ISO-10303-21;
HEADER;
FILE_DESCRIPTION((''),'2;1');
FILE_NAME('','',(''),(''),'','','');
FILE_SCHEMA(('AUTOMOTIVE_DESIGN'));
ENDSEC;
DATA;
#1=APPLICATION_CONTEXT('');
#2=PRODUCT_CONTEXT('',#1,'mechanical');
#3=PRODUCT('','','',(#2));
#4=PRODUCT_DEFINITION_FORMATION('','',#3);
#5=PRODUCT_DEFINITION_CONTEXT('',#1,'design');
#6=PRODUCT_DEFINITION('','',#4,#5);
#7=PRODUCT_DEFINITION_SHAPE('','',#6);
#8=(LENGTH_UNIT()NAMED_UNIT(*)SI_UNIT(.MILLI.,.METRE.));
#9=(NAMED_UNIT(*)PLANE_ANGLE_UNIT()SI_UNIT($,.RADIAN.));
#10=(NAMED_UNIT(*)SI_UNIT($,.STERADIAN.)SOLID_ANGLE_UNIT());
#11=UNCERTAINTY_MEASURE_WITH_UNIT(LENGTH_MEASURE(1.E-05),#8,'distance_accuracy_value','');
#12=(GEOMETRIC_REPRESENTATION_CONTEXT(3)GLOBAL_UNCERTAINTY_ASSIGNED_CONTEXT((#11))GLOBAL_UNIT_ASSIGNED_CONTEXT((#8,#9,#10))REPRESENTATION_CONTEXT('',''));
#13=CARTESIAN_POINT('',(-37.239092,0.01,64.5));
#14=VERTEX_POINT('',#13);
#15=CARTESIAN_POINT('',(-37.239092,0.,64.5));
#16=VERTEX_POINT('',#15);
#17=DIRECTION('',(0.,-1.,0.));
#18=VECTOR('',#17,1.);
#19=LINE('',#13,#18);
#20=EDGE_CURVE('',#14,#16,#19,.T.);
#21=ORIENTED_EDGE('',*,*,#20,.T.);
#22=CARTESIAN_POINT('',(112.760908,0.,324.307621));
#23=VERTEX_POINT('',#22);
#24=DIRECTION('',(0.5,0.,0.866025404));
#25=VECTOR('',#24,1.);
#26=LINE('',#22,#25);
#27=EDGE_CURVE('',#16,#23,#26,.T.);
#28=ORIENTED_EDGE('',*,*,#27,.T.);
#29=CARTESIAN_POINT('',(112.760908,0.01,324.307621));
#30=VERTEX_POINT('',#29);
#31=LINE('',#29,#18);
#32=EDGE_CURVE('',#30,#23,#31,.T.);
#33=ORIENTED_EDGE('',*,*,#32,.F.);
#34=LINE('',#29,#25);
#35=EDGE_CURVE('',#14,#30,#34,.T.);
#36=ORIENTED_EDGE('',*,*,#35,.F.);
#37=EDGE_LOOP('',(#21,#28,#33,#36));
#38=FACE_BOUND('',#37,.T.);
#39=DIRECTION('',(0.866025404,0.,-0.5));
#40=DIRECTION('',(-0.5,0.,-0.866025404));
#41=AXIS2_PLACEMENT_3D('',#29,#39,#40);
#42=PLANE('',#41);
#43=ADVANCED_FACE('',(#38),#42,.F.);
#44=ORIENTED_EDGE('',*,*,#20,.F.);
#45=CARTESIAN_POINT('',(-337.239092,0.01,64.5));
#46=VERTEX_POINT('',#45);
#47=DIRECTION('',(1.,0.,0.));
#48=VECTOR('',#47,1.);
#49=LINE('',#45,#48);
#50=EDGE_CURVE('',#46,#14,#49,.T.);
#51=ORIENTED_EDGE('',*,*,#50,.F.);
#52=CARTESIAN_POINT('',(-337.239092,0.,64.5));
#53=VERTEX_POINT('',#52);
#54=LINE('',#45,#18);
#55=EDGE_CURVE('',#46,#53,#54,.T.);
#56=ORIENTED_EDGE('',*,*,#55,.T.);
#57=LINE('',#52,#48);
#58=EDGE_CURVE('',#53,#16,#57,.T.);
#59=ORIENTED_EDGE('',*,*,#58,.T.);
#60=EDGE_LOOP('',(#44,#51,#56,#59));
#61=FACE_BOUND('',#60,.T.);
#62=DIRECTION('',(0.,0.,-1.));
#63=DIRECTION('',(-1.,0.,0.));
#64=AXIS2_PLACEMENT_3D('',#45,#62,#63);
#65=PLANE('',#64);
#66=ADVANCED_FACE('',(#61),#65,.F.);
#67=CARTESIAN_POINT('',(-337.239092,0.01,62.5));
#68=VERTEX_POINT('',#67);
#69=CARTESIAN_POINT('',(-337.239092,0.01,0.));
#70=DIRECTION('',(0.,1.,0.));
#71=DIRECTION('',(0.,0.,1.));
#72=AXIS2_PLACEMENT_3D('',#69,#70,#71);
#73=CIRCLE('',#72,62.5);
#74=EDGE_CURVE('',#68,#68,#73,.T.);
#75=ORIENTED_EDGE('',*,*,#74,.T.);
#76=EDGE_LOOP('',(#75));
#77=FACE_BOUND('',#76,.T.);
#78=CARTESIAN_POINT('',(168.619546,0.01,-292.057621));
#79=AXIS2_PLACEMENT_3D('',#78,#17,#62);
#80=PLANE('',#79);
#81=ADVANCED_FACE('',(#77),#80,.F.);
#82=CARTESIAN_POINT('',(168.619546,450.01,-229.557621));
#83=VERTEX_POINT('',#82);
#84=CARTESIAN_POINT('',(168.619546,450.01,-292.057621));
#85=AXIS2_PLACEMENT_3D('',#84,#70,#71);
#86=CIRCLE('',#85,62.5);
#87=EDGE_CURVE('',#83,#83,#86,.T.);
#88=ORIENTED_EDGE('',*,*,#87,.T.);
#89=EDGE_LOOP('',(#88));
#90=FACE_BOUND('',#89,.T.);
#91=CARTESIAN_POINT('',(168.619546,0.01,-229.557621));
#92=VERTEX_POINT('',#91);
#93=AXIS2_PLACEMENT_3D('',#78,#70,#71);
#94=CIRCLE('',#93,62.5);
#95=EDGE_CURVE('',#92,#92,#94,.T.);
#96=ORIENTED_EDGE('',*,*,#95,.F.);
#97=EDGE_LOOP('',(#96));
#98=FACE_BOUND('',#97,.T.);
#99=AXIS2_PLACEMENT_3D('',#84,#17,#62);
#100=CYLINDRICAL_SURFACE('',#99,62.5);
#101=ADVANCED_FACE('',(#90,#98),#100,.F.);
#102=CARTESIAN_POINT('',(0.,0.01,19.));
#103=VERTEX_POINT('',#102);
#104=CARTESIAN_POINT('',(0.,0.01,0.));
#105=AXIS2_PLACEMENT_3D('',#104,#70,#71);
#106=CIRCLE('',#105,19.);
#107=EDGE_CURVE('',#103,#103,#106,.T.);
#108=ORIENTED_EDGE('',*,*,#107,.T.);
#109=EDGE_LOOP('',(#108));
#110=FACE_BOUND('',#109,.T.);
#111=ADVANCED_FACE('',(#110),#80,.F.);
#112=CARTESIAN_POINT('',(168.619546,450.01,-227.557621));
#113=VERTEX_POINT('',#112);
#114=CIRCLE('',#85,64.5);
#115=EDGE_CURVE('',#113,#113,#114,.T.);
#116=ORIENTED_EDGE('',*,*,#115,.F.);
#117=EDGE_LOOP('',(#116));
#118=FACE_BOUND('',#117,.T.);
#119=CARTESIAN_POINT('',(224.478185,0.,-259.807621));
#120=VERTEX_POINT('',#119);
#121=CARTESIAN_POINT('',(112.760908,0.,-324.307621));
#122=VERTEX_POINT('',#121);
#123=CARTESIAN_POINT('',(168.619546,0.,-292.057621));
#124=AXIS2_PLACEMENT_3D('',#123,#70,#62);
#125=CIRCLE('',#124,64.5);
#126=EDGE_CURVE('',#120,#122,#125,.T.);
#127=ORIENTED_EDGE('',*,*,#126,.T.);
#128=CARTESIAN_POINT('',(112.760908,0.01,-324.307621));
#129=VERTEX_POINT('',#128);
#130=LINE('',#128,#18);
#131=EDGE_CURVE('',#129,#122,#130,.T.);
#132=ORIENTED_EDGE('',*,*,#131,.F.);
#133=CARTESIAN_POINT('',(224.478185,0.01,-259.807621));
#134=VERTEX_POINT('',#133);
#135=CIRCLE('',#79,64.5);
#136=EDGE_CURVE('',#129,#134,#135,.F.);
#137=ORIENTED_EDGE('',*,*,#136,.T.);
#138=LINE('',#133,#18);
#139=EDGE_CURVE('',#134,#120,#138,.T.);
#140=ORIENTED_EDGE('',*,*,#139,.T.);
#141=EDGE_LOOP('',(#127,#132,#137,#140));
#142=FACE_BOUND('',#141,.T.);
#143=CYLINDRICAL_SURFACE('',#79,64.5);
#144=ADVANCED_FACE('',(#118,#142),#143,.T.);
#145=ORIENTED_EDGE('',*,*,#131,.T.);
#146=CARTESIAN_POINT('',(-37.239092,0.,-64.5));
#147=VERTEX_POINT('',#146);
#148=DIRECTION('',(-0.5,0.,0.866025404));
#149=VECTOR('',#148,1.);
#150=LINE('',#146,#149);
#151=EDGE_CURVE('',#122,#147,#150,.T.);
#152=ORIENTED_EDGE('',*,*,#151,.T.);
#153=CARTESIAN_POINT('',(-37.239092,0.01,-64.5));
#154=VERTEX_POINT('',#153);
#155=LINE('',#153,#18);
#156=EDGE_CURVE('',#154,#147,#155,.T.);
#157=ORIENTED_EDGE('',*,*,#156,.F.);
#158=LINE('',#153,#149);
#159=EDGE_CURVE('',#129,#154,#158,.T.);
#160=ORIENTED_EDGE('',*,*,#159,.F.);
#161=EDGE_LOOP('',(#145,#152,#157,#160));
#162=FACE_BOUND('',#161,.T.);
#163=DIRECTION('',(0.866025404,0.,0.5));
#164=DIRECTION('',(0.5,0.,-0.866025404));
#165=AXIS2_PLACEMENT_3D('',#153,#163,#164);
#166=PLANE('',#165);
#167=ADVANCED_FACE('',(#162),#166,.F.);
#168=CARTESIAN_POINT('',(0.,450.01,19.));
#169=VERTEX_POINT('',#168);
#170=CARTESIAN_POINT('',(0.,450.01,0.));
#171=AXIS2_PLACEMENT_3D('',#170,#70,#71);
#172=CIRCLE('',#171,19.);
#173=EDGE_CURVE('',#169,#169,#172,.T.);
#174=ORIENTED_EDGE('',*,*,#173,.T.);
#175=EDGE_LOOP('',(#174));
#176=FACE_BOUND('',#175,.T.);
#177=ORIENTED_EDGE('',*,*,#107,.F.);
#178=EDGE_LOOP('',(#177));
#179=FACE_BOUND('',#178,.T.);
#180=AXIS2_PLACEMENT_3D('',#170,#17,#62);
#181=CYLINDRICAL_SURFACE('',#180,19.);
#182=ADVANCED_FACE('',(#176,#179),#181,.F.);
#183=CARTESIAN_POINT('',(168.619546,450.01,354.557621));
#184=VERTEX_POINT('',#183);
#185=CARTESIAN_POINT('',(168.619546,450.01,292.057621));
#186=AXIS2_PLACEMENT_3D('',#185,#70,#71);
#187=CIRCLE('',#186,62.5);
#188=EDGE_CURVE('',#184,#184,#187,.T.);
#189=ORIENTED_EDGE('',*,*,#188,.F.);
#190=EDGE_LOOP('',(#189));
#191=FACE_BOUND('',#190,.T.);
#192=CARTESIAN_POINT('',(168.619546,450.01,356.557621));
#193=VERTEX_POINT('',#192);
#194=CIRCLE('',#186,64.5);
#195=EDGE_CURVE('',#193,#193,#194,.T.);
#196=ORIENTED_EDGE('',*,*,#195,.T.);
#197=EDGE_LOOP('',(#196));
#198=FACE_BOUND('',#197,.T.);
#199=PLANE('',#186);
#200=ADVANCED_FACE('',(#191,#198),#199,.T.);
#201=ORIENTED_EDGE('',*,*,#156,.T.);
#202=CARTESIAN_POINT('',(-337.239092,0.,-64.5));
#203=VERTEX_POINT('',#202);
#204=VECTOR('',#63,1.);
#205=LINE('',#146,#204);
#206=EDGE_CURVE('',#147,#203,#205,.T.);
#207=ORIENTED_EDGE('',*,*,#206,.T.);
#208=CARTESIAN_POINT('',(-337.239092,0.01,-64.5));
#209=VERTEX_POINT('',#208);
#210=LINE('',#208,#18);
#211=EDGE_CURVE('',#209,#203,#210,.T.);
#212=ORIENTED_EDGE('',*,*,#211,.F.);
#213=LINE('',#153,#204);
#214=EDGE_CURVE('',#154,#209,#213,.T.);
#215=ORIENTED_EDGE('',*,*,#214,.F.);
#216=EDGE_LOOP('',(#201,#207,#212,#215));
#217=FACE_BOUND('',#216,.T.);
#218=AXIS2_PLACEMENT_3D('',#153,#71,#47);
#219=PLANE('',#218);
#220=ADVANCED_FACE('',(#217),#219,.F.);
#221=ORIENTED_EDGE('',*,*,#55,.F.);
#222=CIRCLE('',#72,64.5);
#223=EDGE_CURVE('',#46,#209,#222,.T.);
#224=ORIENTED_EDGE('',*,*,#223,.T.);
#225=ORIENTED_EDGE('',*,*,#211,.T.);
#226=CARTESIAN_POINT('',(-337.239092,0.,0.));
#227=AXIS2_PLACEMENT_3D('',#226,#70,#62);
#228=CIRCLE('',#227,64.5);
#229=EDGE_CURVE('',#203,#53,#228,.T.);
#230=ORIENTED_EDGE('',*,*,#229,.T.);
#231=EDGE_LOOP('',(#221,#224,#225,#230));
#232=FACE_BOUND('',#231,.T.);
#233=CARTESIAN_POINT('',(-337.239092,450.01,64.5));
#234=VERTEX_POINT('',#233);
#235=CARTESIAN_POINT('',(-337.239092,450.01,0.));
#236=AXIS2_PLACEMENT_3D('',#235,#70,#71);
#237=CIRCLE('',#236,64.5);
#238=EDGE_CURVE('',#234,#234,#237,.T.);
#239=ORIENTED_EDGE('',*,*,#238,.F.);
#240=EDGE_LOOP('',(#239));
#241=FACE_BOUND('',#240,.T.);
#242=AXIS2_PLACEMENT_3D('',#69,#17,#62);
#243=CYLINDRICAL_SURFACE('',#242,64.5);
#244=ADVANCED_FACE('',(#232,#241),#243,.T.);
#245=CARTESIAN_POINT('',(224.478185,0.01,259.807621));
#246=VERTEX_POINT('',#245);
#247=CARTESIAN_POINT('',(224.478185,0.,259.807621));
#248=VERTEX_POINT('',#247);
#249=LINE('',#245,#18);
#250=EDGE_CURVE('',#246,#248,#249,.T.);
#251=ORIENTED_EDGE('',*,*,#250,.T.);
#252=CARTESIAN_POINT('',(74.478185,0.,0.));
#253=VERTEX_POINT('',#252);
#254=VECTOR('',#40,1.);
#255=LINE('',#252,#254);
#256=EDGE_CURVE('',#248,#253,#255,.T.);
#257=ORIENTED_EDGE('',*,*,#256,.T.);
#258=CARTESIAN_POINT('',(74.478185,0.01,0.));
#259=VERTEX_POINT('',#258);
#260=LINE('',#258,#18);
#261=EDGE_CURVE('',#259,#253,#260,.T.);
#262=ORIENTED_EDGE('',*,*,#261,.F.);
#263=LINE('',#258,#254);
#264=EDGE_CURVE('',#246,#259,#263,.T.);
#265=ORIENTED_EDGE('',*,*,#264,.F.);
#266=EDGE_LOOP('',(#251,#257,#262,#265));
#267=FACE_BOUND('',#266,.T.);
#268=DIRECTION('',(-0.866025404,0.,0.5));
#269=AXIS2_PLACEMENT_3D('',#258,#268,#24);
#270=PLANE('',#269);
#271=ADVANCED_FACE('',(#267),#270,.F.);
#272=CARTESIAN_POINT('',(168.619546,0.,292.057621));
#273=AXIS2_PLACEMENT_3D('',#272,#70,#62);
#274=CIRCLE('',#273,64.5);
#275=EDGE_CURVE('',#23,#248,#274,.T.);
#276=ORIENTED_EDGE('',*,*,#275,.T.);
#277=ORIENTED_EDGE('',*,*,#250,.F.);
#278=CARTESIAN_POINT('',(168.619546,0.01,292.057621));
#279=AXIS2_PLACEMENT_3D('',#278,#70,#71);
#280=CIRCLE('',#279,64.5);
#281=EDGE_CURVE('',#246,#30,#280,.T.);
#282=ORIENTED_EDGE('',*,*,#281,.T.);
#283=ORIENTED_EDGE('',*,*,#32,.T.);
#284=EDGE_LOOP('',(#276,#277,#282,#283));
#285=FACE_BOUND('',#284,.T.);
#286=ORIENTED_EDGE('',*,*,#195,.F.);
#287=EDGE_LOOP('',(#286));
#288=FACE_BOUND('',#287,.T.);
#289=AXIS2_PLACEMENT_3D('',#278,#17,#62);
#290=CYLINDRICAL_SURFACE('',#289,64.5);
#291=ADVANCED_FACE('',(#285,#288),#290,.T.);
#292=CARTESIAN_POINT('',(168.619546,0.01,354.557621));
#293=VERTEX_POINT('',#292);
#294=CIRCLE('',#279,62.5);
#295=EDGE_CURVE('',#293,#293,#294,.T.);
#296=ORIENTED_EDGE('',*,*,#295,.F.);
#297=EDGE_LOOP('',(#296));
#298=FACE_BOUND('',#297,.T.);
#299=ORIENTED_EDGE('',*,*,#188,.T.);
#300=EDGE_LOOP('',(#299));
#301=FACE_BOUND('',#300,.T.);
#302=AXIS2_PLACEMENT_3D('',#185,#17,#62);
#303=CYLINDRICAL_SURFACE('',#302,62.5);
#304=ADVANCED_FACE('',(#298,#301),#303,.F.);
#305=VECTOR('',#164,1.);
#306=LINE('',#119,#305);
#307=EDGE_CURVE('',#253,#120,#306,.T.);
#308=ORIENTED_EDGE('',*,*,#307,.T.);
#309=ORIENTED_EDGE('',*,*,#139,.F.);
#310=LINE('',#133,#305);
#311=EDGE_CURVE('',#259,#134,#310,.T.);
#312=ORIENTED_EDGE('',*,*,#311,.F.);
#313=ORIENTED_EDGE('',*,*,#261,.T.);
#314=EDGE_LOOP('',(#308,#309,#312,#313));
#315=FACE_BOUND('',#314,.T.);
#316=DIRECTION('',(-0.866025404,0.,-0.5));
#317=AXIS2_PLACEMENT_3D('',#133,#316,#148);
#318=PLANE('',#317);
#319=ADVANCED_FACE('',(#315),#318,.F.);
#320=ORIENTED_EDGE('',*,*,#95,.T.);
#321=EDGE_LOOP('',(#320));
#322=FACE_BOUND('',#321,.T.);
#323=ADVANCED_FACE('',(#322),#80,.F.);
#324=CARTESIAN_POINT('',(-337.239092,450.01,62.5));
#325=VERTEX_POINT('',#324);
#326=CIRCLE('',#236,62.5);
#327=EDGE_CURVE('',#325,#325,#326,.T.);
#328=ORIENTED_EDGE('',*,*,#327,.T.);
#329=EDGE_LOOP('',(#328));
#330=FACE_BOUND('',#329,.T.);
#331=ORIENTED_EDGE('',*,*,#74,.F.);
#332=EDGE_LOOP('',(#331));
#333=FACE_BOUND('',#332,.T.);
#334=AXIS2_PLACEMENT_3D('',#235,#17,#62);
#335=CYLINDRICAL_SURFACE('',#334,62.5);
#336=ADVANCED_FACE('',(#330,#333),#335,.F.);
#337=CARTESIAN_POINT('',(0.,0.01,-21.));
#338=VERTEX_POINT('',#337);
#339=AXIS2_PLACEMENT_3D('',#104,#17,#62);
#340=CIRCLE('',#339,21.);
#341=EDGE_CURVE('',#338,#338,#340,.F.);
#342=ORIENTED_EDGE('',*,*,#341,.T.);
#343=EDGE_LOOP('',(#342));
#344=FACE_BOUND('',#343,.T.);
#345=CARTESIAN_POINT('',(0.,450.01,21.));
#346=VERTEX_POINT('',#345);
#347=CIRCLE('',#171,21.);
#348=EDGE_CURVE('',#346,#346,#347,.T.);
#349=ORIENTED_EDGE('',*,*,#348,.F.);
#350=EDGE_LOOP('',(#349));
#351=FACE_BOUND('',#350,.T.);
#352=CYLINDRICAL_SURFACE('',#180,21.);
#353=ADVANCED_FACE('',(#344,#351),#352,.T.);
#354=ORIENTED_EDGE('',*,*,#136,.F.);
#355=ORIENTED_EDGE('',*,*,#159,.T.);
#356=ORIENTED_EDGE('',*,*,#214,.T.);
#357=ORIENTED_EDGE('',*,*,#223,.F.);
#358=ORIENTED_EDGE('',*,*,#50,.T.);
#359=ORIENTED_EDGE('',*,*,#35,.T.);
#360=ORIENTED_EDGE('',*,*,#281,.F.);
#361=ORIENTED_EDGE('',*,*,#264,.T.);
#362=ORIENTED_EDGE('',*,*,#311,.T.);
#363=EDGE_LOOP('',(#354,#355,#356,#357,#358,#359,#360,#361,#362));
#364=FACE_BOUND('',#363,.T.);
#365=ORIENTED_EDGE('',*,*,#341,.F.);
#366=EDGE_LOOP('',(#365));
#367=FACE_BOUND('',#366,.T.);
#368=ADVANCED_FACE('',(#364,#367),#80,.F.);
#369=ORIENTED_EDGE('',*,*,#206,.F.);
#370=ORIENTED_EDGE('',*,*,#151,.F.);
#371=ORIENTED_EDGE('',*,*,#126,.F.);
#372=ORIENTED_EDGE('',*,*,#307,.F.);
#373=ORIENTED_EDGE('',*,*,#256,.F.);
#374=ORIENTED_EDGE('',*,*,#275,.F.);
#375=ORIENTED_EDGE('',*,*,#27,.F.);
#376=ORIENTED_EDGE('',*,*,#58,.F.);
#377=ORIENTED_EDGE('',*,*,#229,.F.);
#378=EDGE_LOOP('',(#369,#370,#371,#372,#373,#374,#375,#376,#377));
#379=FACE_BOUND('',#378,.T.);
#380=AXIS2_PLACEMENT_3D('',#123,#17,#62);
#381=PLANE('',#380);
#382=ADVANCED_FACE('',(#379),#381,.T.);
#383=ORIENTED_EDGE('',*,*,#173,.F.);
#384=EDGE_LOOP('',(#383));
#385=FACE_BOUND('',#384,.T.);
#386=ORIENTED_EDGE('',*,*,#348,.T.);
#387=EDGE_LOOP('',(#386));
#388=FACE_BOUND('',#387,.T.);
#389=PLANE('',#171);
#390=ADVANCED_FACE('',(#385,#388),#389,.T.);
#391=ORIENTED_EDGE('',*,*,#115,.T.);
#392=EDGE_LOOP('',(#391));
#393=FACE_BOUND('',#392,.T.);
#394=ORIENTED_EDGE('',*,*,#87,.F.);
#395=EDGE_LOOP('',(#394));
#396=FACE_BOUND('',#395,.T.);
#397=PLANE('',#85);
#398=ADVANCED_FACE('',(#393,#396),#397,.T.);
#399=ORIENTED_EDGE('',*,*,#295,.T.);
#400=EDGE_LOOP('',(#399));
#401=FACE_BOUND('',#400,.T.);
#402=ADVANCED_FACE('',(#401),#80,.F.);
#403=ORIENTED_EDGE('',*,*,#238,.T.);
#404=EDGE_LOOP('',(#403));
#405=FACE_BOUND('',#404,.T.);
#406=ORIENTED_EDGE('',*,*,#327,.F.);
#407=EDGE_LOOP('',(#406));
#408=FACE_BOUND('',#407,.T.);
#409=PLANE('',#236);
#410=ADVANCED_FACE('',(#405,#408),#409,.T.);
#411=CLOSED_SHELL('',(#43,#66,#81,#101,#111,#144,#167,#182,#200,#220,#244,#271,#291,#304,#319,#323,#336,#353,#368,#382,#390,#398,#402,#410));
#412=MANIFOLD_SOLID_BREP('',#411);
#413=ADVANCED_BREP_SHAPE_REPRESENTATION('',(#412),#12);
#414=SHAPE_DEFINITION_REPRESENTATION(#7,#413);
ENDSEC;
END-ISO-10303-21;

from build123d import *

# Parameters (mm, degrees)
BOSS_EXTRUDE1_DEPTH = 0.01
SKETCH2_R           = 64.5
SKETCH2_R_2         = 62.5
SKETCH2_R_3         = 21
SKETCH2_R_4         = 19
BOSS_EXTRUDE2_DEPTH = 450


with BuildPart() as part:
    # Sketch1 → Boss-Extrude1 (new body)
    with BuildSketch(Plane(origin=(0, 0, 0), x_dir=(1, 0, 0), z_dir=(0, 1, 0))):
        with BuildLine():
            Line((-37.239092363, 64.5), (-337.239092363, 64.5))
            ThreePointArc((-337.239092363, 64.5), (-401.739092363, 0), (-337.239092363, -64.5))
            Line((-337.239092363, -64.5), (-37.239092363, -64.5))
            Line((-37.239092363, -64.5), (112.760907637, -324.307621135))
            ThreePointArc((112.760907637, -324.307621135), (200.869546181, -347.916259679), (224.478184725, -259.807621135))
            Line((224.478184725, -259.807621135), (74.478184725, 0))
            Line((74.478184725, 0), (224.478184725, 259.807621135))
            ThreePointArc((224.478184725, 259.807621135), (200.869546181, 347.916259679), (112.760907637, 324.307621135))
            Line((112.760907637, 324.307621135), (-37.239092363, 64.5))
        make_face()
    extrude(amount=BOSS_EXTRUDE1_DEPTH)

    # Sketch2 → Boss-Extrude2 (add)
    with BuildSketch(Plane(origin=(0, 0.01, 0), x_dir=(1, 0, 0), z_dir=(0, 1, 0))):
        with Locations((168.619546181, 292.057621135)):
            Circle(SKETCH2_R)
        with Locations((168.619546181, 292.057621135)):
            Circle(SKETCH2_R_2, mode=Mode.SUBTRACT)
        with Locations((-337.239092363, 0)):
            Circle(SKETCH2_R)
        with Locations((-337.239092363, 0)):
            Circle(SKETCH2_R_2, mode=Mode.SUBTRACT)
        with Locations((168.619546181, -292.057621135)):
            Circle(SKETCH2_R)
        with Locations((168.619546181, -292.057621135)):
            Circle(SKETCH2_R_2, mode=Mode.SUBTRACT)
        Circle(SKETCH2_R_3)
        Circle(SKETCH2_R_4, mode=Mode.SUBTRACT)
    extrude(amount=BOSS_EXTRUDE2_DEPTH)


solid = part.part
